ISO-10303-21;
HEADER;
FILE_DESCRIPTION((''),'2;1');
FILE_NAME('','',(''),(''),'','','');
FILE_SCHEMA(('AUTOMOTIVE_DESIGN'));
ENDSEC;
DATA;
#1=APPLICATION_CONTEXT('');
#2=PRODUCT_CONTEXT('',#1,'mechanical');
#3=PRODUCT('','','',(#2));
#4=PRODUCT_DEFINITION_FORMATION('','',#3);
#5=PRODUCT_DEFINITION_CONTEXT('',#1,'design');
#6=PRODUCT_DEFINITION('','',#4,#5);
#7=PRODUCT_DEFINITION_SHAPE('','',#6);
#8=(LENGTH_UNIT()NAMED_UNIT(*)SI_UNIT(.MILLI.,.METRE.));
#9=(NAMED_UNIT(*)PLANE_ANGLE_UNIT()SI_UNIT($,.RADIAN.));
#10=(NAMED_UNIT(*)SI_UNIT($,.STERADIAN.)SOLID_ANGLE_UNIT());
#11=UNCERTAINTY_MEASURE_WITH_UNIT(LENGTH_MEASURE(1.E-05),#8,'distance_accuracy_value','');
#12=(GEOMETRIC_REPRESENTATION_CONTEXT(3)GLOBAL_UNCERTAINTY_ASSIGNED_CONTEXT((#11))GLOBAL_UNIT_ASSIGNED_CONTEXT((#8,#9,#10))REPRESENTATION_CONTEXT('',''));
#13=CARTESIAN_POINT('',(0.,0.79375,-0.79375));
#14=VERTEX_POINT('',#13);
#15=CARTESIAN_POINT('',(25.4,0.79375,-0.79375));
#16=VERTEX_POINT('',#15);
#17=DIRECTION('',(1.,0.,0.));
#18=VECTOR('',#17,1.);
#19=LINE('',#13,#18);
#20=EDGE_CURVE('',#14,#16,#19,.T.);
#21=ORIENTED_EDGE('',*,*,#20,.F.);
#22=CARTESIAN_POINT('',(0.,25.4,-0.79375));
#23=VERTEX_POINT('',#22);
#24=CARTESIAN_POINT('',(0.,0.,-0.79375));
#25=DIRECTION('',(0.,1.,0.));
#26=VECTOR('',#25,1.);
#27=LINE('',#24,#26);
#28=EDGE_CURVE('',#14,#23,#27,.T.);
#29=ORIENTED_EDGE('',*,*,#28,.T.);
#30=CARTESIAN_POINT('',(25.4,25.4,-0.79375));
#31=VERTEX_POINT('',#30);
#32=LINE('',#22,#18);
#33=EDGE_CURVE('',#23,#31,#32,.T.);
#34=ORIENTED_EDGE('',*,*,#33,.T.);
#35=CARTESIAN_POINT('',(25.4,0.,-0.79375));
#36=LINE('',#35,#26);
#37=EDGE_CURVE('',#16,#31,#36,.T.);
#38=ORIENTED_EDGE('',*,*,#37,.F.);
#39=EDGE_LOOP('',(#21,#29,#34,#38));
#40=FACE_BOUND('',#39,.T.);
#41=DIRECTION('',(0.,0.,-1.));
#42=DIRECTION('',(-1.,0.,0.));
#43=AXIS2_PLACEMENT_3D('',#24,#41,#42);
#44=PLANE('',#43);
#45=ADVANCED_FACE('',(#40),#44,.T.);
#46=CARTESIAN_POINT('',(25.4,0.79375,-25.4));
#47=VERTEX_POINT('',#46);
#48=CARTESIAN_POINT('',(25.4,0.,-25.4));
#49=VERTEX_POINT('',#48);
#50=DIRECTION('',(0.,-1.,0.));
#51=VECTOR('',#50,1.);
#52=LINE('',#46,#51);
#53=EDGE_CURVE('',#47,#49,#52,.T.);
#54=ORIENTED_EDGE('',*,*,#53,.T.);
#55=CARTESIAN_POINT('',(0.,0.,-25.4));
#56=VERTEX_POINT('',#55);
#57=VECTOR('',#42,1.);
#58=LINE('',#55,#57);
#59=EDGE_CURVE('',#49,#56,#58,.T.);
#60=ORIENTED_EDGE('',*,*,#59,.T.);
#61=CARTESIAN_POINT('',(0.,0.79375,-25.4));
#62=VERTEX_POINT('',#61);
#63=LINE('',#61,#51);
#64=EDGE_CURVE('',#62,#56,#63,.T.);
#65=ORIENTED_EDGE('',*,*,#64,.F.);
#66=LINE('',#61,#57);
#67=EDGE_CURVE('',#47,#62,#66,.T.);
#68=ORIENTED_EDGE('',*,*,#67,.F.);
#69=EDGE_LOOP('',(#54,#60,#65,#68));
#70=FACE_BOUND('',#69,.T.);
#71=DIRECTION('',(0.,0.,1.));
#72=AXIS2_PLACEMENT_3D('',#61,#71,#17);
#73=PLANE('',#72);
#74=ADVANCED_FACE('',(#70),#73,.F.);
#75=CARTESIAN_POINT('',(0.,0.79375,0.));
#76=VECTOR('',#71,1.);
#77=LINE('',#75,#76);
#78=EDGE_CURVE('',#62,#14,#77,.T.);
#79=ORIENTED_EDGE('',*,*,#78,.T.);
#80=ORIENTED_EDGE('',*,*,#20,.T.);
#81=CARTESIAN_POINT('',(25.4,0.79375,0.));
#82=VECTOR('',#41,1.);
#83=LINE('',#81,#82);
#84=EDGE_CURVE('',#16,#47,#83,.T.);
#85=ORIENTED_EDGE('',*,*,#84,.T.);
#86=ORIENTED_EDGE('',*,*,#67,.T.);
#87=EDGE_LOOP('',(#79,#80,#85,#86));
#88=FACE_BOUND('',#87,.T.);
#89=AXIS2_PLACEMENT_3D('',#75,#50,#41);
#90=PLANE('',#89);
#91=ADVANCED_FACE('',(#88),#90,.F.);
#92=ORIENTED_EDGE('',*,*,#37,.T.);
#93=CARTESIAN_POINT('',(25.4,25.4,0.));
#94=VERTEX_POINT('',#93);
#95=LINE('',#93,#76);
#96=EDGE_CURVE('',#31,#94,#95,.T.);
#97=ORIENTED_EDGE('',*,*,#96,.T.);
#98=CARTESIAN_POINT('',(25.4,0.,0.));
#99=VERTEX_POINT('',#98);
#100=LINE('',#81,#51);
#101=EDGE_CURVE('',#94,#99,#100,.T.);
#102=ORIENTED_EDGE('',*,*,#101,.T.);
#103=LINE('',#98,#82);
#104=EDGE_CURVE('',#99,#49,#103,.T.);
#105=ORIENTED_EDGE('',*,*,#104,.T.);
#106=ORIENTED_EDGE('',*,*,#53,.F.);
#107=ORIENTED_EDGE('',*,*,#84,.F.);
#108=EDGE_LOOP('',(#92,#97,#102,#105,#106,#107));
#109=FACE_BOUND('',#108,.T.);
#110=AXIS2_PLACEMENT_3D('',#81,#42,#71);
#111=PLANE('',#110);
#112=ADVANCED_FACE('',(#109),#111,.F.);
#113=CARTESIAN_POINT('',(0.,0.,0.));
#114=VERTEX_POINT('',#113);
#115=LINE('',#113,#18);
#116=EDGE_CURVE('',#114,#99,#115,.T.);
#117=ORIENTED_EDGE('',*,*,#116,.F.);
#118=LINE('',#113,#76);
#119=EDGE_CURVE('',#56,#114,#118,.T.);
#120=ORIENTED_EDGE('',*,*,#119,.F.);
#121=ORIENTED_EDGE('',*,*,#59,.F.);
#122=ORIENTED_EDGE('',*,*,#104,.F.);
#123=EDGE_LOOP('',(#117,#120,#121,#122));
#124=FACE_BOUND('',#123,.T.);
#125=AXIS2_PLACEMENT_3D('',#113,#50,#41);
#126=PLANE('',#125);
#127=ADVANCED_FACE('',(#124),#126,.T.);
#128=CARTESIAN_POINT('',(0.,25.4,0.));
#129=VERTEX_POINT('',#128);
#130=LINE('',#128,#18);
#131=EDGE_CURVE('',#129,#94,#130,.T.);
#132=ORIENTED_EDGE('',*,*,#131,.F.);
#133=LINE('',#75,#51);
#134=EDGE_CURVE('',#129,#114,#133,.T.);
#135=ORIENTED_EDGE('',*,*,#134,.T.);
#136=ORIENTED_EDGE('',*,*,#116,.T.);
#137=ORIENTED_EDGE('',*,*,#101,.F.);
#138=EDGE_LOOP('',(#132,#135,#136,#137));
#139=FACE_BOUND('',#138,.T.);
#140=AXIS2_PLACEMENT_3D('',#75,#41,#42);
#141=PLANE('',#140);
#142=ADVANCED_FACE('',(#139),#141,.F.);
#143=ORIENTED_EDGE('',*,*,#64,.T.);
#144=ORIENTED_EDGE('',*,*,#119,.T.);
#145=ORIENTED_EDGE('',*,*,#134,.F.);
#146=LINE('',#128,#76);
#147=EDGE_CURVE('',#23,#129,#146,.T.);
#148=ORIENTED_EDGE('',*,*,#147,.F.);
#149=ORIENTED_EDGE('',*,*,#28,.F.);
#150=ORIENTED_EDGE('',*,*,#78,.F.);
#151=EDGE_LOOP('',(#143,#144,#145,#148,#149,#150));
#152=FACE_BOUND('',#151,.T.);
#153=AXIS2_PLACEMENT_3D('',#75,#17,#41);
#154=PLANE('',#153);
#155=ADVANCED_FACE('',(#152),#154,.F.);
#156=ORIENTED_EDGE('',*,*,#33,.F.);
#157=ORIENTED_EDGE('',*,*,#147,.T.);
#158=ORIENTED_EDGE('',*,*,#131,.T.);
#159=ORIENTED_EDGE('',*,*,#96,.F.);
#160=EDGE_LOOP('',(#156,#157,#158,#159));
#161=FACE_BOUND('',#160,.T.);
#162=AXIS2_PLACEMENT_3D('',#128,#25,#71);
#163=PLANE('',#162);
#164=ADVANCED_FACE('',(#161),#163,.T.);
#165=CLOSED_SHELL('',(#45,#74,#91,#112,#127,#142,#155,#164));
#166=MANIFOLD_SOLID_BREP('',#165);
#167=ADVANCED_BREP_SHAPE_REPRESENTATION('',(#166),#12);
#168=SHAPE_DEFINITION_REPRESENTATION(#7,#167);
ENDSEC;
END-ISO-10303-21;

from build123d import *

# Parameters (mm, degrees)
SKETCH1_W           = 25.4
SKETCH1_H           = 25.4
BOSS_EXTRUDE1_DEPTH = 0.79375
SKETCH2_W           = 0.79375
SKETCH2_H           = 25.4
BOSS_EXTRUDE2_DEPTH = 25.4


with BuildPart() as part:
    # Sketch1 → Boss-Extrude1 (new body)
    with BuildSketch(Plane(origin=(0, 0, 0), x_dir=(1, 0, 0), z_dir=(0, 1, 0))):
        with Locations((12.7, 12.7)):
            Rectangle(SKETCH1_W, SKETCH1_H)
    extrude(amount=BOSS_EXTRUDE1_DEPTH)

    # Sketch2 → Boss-Extrude2 (add)
    with BuildSketch(Plane(origin=(25.4, 0, 0), x_dir=(0, 0, -1), z_dir=(1, 0, 0))):
        with Locations((0.396875, 12.7)):
            Rectangle(SKETCH2_W, SKETCH2_H)
    extrude(amount=-BOSS_EXTRUDE2_DEPTH)


solid = part.part
